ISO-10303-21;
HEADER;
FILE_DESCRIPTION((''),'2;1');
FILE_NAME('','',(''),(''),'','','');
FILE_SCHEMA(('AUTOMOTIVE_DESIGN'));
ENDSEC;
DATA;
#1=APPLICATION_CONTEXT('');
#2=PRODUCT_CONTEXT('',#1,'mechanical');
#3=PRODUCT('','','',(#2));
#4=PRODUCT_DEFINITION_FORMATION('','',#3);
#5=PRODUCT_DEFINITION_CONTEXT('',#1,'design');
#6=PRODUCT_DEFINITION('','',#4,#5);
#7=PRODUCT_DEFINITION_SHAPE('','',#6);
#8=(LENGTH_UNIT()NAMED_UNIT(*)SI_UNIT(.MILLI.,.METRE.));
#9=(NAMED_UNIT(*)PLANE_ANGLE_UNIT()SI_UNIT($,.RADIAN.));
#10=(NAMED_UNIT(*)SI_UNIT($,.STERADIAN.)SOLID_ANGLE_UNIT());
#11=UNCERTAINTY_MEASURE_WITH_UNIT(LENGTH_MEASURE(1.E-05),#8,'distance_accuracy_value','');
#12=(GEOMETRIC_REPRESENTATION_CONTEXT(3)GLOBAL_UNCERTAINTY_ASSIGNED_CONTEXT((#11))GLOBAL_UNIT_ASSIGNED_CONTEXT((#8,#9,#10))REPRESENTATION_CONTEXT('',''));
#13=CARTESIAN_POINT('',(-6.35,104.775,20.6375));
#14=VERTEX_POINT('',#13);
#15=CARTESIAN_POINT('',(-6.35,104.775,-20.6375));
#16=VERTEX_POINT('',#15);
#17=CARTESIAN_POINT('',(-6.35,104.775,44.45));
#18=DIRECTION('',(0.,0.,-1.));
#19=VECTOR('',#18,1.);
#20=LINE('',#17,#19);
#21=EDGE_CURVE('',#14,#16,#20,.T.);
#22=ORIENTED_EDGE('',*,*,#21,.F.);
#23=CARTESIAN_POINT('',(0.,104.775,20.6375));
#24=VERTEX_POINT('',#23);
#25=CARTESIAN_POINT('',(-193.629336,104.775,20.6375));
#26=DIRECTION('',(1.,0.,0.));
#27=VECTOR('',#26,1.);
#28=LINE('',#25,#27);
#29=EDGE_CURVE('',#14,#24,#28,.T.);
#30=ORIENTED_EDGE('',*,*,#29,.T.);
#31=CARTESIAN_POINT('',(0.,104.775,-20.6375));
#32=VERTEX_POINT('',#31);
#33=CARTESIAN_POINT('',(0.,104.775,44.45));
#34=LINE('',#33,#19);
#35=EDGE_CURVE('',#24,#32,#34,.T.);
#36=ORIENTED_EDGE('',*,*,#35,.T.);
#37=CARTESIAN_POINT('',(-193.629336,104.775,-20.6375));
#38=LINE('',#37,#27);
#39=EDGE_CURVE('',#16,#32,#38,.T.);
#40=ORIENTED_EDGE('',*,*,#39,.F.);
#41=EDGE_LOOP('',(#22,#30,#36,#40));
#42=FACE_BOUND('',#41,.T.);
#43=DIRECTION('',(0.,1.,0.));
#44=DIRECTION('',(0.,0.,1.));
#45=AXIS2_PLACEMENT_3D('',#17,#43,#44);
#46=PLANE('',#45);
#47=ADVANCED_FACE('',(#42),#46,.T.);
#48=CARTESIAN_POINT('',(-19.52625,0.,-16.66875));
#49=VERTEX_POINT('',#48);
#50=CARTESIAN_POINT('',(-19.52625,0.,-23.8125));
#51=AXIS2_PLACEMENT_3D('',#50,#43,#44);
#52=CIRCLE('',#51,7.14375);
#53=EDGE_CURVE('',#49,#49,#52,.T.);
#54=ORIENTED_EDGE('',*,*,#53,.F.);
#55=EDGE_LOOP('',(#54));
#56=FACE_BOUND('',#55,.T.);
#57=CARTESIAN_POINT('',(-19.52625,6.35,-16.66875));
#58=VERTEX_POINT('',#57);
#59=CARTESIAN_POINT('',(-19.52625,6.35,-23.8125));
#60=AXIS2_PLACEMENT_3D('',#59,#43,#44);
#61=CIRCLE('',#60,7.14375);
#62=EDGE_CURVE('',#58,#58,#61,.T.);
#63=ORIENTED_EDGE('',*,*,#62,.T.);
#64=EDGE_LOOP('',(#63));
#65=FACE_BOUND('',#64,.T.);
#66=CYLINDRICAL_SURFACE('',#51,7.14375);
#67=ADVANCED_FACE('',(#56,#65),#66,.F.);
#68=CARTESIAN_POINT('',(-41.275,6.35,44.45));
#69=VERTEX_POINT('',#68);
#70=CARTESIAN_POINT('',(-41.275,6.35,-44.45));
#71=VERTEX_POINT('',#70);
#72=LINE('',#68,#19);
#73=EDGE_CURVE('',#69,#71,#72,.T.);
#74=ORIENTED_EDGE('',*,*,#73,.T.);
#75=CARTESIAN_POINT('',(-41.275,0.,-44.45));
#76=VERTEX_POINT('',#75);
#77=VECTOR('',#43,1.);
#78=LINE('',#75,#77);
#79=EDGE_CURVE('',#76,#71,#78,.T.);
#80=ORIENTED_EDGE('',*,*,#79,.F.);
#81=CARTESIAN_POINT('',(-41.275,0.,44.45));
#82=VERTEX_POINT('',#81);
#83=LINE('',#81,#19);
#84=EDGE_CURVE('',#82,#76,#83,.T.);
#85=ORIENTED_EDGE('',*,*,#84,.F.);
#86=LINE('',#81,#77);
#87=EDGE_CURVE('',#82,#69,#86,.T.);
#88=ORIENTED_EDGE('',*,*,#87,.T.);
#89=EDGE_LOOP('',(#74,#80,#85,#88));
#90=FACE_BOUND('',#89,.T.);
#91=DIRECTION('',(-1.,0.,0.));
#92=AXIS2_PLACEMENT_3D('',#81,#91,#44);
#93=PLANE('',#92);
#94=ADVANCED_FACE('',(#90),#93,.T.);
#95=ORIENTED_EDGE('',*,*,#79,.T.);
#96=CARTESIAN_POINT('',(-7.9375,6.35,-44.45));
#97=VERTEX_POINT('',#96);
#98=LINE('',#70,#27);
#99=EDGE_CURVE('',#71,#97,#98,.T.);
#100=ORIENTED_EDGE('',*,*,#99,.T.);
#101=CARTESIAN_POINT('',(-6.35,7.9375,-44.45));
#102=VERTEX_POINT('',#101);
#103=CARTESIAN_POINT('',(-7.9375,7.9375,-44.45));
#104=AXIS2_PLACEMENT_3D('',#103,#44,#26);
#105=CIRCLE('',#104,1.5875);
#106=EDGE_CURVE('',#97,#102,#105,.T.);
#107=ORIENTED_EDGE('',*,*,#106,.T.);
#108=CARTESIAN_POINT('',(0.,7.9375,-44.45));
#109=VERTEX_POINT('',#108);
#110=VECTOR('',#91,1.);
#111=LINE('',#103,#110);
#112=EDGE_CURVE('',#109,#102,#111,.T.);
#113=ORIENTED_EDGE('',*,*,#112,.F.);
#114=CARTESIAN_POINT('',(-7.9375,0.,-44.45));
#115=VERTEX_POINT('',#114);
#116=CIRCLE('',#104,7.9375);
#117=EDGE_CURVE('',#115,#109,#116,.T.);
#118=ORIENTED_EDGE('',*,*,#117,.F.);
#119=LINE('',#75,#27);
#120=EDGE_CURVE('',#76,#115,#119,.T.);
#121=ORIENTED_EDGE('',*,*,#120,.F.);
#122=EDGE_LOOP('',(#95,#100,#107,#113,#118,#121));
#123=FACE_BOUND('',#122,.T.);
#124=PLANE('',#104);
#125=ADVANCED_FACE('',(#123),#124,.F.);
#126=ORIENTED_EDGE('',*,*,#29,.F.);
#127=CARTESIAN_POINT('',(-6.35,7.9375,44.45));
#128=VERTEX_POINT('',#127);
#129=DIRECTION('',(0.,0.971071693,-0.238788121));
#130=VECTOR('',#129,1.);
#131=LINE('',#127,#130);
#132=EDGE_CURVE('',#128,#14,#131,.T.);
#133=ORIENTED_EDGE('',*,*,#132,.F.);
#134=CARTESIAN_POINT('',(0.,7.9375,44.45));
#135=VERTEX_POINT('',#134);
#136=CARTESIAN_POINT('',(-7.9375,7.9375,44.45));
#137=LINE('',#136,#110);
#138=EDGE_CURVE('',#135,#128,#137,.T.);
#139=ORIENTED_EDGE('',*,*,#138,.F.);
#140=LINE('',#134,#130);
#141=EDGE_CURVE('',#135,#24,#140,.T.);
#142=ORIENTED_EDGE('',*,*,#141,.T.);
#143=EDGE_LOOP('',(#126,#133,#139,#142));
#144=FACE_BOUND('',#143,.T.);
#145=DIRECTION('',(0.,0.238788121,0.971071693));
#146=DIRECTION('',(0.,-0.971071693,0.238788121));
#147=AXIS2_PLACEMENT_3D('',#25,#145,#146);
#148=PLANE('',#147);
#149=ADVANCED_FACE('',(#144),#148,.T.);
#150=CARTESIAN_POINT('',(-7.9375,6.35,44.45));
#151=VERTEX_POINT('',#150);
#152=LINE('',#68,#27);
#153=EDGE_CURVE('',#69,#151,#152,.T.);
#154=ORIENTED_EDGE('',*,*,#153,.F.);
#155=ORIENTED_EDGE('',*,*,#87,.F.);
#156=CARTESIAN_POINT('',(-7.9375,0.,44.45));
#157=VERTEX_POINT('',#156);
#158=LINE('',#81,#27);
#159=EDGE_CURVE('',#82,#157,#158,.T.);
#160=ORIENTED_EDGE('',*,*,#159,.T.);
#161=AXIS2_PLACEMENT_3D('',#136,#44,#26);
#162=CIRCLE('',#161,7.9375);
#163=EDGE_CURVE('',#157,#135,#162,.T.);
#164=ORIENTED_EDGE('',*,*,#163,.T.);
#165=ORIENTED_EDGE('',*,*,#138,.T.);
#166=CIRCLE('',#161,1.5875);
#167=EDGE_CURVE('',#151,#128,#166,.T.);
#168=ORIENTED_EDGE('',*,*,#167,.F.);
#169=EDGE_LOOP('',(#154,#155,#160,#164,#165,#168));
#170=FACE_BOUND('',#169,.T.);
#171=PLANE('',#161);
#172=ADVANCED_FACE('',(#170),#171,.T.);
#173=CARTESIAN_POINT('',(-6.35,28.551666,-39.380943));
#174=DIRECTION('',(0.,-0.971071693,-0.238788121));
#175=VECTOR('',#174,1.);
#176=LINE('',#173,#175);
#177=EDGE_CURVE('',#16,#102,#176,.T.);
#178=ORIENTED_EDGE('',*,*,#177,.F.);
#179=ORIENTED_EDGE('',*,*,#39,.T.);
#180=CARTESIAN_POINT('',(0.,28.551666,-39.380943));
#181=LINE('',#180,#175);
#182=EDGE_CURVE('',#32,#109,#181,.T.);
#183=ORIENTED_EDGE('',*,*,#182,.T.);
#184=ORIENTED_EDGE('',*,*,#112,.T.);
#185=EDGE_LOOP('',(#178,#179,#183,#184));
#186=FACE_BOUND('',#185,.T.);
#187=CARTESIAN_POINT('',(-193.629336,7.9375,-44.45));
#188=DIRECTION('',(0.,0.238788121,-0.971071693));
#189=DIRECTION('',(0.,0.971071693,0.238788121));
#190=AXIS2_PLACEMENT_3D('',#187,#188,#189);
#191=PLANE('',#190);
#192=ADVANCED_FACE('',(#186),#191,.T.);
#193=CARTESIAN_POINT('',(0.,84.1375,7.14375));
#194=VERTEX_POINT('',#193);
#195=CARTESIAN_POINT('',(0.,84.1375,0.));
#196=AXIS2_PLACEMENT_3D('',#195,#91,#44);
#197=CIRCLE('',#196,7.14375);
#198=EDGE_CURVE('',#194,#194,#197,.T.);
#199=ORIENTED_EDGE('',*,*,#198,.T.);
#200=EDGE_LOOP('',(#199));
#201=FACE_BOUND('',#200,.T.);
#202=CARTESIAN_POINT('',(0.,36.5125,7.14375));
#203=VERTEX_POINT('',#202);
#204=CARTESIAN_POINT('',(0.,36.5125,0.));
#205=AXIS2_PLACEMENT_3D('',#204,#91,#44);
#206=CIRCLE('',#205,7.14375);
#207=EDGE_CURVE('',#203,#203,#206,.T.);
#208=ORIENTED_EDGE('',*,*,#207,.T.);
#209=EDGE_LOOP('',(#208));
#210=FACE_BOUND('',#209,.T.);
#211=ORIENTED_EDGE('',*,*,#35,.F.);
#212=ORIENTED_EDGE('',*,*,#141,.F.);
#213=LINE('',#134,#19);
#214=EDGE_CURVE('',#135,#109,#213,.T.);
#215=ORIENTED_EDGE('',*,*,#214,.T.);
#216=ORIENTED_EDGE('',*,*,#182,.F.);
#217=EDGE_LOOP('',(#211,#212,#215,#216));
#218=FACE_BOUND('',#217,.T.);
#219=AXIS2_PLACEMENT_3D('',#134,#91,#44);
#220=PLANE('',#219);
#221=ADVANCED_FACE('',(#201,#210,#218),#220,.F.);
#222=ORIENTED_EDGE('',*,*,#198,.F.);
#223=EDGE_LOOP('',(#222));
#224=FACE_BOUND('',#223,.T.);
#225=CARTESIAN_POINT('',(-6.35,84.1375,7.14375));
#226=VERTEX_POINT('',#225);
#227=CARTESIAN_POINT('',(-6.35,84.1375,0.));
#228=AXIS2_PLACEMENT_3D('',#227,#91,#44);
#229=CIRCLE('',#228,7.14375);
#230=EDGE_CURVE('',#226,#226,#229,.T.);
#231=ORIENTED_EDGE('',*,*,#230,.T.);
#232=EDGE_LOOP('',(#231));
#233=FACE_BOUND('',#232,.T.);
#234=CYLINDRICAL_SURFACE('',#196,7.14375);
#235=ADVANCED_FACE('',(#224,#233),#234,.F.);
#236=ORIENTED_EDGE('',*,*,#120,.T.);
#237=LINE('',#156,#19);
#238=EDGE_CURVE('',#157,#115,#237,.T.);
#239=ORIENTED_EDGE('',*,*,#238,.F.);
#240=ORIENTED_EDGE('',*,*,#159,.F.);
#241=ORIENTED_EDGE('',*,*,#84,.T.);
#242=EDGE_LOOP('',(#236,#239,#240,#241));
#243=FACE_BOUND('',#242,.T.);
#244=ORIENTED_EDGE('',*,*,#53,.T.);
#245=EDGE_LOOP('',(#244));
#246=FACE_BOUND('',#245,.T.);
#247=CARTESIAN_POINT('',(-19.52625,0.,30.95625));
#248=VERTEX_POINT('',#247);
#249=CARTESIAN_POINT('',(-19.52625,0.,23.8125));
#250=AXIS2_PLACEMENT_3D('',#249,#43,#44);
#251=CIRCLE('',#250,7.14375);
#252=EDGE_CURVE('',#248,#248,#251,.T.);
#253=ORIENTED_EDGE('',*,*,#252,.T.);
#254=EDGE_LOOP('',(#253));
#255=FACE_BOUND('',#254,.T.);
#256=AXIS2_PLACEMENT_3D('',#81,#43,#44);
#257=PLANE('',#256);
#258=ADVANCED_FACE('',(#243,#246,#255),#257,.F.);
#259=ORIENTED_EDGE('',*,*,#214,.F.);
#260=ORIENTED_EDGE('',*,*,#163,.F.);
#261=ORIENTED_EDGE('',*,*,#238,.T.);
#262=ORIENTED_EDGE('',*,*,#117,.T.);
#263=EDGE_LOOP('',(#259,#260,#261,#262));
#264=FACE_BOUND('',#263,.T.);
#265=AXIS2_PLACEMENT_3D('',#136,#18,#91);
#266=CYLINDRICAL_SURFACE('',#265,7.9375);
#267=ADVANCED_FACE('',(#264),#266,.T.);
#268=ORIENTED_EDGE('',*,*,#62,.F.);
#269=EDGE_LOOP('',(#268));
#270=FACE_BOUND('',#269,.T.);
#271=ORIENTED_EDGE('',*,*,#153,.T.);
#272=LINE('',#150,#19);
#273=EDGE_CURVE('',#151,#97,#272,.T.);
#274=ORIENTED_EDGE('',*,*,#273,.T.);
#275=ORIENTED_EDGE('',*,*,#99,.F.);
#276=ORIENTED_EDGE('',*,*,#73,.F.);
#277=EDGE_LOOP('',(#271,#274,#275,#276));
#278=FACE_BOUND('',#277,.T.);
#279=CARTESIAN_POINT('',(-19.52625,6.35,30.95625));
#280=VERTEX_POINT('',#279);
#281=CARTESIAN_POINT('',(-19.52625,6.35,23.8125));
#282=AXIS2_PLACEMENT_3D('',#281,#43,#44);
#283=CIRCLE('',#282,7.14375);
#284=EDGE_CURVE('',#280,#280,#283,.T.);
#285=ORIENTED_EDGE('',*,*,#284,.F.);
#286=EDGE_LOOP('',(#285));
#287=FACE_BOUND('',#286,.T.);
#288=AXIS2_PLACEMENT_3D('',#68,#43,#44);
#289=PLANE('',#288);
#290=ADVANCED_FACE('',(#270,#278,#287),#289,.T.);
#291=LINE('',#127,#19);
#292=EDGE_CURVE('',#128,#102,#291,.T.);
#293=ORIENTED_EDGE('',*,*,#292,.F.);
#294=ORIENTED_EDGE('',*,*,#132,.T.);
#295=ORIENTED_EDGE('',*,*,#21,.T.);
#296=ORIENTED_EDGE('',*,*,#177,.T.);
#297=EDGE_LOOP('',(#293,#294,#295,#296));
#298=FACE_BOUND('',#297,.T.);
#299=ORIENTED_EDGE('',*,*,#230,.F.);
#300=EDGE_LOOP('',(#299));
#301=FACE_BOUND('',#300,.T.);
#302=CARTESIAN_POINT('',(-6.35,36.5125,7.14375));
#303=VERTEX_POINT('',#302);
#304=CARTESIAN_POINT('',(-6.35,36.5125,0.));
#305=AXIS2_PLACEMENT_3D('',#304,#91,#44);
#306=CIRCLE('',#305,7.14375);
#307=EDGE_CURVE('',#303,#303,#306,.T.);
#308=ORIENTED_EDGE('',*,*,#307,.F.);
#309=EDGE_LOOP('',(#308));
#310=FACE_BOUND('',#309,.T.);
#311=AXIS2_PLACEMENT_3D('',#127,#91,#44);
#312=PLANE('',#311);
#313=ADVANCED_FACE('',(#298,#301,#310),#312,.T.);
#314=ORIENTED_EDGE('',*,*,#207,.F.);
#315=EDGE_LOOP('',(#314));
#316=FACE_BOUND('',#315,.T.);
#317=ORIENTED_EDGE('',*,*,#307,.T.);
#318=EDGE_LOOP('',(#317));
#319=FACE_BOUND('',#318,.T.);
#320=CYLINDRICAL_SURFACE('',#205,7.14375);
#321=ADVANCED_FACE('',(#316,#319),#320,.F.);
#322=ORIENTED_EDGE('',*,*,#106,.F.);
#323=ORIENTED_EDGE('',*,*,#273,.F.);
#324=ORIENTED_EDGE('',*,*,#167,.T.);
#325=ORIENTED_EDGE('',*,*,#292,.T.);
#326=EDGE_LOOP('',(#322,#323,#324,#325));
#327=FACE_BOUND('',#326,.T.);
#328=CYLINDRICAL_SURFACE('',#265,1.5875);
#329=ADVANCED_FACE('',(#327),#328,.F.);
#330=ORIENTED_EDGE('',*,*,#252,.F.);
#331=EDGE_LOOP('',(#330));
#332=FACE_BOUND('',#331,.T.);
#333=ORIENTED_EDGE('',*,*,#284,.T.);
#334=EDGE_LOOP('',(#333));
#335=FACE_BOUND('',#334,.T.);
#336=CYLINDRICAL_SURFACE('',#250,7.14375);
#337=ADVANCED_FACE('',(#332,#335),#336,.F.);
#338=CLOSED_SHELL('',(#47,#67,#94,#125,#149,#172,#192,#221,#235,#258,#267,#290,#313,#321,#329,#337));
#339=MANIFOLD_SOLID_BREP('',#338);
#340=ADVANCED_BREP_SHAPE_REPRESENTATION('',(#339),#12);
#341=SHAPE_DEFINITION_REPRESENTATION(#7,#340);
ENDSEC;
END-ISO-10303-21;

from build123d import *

# Parameters (mm, degrees)
EXTRUDE_THIN1_DEPTH     = 44.45
CUT_EXTRUDE2_DEPTH      = 120.051916196
CUT_EXTRUDE2_DEPTH_BACK = 120.051916196
SKETCH3_R               = 7.14375
CUT_EXTRUDE3_DEPTH      = 120.051916196
SKETCH4_R               = 7.14375
CUT_EXTRUDE4_DEPTH      = 116.615348246


with BuildPart() as part:
    # Sketch1 → Extrude-Thin1 (new, symmetric)
    with BuildSketch(Plane.XY):
        with BuildLine():
            Line((-41.275, 0), (-7.9375, 0))
            ThreePointArc((-7.9375, 0), (-2.324839924, 2.324839924), (0, 7.9375))
            Line((0, 7.9375), (0, 104.775))
            Line((0, 104.775), (-6.35, 104.775))
            Line((-6.35, 104.775), (-6.35, 7.9375))
            ThreePointArc((-6.35, 7.9375), (-6.814967985, 6.814967985), (-7.9375, 6.35))
            Line((-7.9375, 6.35), (-41.275, 6.35))
            Line((-41.275, 6.35), (-41.275, 0))
        make_face()
    extrude(amount=EXTRUDE_THIN1_DEPTH, both=True)

    # Sketch2 → Cut-Extrude2 (cut, two sides: drawn at the far end of the back side and taken through both)
    with BuildSketch(Plane.ZY.offset(6.35).offset(-CUT_EXTRUDE2_DEPTH_BACK)):
        Polygon((-109.618200913, -257.07985038), (-44.45, 7.9375), (-20.6375, 104.775), (20.6375, 104.775), (44.45, 7.9375), (109.618200913, -257.07985038), (109.618200913, 288.744628415), (-109.618200913, 288.744628415), align=None)
    extrude(amount=CUT_EXTRUDE2_DEPTH + CUT_EXTRUDE2_DEPTH_BACK, mode=Mode.SUBTRACT)

    # Sketch3 → Cut-Extrude3 (cut, through all)
    with BuildSketch(Plane.ZY.offset(6.35)):
        with Locations((0, 84.1375)):
            Circle(SKETCH3_R)
        with Locations((0, 36.5125)):
            Circle(SKETCH3_R)
    extrude(amount=-CUT_EXTRUDE3_DEPTH, mode=Mode.SUBTRACT)

    # Sketch4 → Cut-Extrude4 (cut, through all)
    with BuildSketch(Plane(origin=(0, 6.35, 0), x_dir=(1, 0, 0), z_dir=(0, 1, 0))):
        with Locations(Location((-19.52625, 23.8125, 0), (0, 0, 270))):
            Circle(SKETCH4_R)
        with Locations(Location((-19.52625, -23.8125, 0), (0, 0, 270))):
            Circle(SKETCH4_R)
    extrude(amount=-CUT_EXTRUDE4_DEPTH, mode=Mode.SUBTRACT)


solid = part.part
